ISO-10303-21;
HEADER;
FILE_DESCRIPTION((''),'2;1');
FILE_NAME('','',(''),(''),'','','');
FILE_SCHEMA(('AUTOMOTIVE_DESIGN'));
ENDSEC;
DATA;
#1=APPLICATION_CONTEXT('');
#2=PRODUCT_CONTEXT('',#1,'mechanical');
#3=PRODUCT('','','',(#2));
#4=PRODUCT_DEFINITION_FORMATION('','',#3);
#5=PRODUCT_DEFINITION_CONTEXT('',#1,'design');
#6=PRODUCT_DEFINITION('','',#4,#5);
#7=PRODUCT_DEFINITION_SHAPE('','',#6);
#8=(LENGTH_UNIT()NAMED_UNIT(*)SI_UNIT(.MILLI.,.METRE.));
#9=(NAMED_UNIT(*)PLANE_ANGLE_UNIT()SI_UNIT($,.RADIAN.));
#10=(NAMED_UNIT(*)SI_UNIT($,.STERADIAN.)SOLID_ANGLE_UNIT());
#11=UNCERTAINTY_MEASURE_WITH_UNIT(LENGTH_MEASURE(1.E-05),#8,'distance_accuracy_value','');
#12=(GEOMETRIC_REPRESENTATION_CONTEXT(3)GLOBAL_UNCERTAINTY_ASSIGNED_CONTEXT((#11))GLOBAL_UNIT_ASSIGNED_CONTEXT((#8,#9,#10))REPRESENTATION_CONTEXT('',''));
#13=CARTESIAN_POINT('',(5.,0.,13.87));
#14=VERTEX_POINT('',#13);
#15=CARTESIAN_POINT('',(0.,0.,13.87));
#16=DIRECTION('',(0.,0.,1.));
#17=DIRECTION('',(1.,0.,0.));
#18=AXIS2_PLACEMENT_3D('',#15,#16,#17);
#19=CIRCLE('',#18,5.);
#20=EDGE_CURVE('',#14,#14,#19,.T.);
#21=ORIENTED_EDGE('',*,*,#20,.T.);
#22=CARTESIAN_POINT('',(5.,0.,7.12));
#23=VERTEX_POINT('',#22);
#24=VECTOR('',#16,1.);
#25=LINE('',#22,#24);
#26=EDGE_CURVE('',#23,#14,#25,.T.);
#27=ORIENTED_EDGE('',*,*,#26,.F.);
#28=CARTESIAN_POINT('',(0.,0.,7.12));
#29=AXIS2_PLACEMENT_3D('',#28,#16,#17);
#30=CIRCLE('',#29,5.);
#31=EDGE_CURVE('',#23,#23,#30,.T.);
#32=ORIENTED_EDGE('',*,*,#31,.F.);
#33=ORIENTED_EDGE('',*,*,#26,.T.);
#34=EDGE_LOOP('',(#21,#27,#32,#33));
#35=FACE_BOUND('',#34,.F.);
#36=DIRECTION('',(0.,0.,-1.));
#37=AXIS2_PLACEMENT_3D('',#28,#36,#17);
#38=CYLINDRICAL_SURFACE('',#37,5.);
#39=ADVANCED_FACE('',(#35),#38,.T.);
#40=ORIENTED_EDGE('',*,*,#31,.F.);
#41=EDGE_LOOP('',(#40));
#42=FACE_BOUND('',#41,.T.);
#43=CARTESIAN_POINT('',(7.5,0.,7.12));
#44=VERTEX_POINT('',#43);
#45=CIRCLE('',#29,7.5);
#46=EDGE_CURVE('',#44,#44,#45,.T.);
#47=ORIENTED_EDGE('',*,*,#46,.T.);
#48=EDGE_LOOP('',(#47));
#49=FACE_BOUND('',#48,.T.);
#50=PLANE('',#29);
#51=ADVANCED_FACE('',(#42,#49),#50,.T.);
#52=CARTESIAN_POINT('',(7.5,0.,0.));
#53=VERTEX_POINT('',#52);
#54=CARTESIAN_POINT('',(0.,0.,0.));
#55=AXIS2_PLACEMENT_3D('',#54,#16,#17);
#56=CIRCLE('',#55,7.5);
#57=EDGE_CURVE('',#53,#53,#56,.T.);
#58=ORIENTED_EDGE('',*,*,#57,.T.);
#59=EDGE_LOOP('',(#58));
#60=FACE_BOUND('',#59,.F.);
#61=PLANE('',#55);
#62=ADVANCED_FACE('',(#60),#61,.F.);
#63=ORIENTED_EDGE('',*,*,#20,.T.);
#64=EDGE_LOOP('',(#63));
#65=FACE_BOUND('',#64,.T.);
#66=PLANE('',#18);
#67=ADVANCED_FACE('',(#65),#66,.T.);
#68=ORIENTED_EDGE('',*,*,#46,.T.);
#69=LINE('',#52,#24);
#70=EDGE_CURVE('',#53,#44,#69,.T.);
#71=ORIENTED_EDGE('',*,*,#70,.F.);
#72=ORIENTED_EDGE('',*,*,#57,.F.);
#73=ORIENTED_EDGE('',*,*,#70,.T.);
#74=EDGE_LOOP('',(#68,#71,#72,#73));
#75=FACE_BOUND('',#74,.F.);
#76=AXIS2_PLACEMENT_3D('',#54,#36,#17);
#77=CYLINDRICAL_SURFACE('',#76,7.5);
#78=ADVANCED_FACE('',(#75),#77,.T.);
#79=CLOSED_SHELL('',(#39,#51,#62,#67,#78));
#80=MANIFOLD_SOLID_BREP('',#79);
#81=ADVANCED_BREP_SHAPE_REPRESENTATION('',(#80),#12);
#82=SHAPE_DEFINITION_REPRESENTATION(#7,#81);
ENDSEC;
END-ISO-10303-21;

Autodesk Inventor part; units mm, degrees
ref_plane "YZ Plane" through (0, 0, 0) normal (1, 0, 0) x (0, 1, 0)
ref_plane "XZ Plane" through (0, 0, 0) normal (0, 1, 0) x (-1, 0, 0)
ref_plane "XY Plane" through (0, 0, 0) normal (0, 0, 1) x (1, 0, 0)
sketch "Sketch1" plane through (0, 0, 0) normal (0, 0, 1) x (1, 0, 0)
  circle A0 centre (0, 0) radius 7.5
  dimension "d0" = 15
extrude "Extrusion1" add sketch "Sketch1" along normal blind 7.12
sketch "Sketch2" plane through (0, 0, 7.12) normal (0, 0, 1) x (1, 0, 0)
  circle A0 centre (0, 0) radius 7.5 projected
  circle A1 centre (0, 0) radius 5
  dimension "d3" = 10
extrude "Extrusion2" add sketch "Sketch2" along normal blind 6.75 contours A1
properties part number "Magnet"
